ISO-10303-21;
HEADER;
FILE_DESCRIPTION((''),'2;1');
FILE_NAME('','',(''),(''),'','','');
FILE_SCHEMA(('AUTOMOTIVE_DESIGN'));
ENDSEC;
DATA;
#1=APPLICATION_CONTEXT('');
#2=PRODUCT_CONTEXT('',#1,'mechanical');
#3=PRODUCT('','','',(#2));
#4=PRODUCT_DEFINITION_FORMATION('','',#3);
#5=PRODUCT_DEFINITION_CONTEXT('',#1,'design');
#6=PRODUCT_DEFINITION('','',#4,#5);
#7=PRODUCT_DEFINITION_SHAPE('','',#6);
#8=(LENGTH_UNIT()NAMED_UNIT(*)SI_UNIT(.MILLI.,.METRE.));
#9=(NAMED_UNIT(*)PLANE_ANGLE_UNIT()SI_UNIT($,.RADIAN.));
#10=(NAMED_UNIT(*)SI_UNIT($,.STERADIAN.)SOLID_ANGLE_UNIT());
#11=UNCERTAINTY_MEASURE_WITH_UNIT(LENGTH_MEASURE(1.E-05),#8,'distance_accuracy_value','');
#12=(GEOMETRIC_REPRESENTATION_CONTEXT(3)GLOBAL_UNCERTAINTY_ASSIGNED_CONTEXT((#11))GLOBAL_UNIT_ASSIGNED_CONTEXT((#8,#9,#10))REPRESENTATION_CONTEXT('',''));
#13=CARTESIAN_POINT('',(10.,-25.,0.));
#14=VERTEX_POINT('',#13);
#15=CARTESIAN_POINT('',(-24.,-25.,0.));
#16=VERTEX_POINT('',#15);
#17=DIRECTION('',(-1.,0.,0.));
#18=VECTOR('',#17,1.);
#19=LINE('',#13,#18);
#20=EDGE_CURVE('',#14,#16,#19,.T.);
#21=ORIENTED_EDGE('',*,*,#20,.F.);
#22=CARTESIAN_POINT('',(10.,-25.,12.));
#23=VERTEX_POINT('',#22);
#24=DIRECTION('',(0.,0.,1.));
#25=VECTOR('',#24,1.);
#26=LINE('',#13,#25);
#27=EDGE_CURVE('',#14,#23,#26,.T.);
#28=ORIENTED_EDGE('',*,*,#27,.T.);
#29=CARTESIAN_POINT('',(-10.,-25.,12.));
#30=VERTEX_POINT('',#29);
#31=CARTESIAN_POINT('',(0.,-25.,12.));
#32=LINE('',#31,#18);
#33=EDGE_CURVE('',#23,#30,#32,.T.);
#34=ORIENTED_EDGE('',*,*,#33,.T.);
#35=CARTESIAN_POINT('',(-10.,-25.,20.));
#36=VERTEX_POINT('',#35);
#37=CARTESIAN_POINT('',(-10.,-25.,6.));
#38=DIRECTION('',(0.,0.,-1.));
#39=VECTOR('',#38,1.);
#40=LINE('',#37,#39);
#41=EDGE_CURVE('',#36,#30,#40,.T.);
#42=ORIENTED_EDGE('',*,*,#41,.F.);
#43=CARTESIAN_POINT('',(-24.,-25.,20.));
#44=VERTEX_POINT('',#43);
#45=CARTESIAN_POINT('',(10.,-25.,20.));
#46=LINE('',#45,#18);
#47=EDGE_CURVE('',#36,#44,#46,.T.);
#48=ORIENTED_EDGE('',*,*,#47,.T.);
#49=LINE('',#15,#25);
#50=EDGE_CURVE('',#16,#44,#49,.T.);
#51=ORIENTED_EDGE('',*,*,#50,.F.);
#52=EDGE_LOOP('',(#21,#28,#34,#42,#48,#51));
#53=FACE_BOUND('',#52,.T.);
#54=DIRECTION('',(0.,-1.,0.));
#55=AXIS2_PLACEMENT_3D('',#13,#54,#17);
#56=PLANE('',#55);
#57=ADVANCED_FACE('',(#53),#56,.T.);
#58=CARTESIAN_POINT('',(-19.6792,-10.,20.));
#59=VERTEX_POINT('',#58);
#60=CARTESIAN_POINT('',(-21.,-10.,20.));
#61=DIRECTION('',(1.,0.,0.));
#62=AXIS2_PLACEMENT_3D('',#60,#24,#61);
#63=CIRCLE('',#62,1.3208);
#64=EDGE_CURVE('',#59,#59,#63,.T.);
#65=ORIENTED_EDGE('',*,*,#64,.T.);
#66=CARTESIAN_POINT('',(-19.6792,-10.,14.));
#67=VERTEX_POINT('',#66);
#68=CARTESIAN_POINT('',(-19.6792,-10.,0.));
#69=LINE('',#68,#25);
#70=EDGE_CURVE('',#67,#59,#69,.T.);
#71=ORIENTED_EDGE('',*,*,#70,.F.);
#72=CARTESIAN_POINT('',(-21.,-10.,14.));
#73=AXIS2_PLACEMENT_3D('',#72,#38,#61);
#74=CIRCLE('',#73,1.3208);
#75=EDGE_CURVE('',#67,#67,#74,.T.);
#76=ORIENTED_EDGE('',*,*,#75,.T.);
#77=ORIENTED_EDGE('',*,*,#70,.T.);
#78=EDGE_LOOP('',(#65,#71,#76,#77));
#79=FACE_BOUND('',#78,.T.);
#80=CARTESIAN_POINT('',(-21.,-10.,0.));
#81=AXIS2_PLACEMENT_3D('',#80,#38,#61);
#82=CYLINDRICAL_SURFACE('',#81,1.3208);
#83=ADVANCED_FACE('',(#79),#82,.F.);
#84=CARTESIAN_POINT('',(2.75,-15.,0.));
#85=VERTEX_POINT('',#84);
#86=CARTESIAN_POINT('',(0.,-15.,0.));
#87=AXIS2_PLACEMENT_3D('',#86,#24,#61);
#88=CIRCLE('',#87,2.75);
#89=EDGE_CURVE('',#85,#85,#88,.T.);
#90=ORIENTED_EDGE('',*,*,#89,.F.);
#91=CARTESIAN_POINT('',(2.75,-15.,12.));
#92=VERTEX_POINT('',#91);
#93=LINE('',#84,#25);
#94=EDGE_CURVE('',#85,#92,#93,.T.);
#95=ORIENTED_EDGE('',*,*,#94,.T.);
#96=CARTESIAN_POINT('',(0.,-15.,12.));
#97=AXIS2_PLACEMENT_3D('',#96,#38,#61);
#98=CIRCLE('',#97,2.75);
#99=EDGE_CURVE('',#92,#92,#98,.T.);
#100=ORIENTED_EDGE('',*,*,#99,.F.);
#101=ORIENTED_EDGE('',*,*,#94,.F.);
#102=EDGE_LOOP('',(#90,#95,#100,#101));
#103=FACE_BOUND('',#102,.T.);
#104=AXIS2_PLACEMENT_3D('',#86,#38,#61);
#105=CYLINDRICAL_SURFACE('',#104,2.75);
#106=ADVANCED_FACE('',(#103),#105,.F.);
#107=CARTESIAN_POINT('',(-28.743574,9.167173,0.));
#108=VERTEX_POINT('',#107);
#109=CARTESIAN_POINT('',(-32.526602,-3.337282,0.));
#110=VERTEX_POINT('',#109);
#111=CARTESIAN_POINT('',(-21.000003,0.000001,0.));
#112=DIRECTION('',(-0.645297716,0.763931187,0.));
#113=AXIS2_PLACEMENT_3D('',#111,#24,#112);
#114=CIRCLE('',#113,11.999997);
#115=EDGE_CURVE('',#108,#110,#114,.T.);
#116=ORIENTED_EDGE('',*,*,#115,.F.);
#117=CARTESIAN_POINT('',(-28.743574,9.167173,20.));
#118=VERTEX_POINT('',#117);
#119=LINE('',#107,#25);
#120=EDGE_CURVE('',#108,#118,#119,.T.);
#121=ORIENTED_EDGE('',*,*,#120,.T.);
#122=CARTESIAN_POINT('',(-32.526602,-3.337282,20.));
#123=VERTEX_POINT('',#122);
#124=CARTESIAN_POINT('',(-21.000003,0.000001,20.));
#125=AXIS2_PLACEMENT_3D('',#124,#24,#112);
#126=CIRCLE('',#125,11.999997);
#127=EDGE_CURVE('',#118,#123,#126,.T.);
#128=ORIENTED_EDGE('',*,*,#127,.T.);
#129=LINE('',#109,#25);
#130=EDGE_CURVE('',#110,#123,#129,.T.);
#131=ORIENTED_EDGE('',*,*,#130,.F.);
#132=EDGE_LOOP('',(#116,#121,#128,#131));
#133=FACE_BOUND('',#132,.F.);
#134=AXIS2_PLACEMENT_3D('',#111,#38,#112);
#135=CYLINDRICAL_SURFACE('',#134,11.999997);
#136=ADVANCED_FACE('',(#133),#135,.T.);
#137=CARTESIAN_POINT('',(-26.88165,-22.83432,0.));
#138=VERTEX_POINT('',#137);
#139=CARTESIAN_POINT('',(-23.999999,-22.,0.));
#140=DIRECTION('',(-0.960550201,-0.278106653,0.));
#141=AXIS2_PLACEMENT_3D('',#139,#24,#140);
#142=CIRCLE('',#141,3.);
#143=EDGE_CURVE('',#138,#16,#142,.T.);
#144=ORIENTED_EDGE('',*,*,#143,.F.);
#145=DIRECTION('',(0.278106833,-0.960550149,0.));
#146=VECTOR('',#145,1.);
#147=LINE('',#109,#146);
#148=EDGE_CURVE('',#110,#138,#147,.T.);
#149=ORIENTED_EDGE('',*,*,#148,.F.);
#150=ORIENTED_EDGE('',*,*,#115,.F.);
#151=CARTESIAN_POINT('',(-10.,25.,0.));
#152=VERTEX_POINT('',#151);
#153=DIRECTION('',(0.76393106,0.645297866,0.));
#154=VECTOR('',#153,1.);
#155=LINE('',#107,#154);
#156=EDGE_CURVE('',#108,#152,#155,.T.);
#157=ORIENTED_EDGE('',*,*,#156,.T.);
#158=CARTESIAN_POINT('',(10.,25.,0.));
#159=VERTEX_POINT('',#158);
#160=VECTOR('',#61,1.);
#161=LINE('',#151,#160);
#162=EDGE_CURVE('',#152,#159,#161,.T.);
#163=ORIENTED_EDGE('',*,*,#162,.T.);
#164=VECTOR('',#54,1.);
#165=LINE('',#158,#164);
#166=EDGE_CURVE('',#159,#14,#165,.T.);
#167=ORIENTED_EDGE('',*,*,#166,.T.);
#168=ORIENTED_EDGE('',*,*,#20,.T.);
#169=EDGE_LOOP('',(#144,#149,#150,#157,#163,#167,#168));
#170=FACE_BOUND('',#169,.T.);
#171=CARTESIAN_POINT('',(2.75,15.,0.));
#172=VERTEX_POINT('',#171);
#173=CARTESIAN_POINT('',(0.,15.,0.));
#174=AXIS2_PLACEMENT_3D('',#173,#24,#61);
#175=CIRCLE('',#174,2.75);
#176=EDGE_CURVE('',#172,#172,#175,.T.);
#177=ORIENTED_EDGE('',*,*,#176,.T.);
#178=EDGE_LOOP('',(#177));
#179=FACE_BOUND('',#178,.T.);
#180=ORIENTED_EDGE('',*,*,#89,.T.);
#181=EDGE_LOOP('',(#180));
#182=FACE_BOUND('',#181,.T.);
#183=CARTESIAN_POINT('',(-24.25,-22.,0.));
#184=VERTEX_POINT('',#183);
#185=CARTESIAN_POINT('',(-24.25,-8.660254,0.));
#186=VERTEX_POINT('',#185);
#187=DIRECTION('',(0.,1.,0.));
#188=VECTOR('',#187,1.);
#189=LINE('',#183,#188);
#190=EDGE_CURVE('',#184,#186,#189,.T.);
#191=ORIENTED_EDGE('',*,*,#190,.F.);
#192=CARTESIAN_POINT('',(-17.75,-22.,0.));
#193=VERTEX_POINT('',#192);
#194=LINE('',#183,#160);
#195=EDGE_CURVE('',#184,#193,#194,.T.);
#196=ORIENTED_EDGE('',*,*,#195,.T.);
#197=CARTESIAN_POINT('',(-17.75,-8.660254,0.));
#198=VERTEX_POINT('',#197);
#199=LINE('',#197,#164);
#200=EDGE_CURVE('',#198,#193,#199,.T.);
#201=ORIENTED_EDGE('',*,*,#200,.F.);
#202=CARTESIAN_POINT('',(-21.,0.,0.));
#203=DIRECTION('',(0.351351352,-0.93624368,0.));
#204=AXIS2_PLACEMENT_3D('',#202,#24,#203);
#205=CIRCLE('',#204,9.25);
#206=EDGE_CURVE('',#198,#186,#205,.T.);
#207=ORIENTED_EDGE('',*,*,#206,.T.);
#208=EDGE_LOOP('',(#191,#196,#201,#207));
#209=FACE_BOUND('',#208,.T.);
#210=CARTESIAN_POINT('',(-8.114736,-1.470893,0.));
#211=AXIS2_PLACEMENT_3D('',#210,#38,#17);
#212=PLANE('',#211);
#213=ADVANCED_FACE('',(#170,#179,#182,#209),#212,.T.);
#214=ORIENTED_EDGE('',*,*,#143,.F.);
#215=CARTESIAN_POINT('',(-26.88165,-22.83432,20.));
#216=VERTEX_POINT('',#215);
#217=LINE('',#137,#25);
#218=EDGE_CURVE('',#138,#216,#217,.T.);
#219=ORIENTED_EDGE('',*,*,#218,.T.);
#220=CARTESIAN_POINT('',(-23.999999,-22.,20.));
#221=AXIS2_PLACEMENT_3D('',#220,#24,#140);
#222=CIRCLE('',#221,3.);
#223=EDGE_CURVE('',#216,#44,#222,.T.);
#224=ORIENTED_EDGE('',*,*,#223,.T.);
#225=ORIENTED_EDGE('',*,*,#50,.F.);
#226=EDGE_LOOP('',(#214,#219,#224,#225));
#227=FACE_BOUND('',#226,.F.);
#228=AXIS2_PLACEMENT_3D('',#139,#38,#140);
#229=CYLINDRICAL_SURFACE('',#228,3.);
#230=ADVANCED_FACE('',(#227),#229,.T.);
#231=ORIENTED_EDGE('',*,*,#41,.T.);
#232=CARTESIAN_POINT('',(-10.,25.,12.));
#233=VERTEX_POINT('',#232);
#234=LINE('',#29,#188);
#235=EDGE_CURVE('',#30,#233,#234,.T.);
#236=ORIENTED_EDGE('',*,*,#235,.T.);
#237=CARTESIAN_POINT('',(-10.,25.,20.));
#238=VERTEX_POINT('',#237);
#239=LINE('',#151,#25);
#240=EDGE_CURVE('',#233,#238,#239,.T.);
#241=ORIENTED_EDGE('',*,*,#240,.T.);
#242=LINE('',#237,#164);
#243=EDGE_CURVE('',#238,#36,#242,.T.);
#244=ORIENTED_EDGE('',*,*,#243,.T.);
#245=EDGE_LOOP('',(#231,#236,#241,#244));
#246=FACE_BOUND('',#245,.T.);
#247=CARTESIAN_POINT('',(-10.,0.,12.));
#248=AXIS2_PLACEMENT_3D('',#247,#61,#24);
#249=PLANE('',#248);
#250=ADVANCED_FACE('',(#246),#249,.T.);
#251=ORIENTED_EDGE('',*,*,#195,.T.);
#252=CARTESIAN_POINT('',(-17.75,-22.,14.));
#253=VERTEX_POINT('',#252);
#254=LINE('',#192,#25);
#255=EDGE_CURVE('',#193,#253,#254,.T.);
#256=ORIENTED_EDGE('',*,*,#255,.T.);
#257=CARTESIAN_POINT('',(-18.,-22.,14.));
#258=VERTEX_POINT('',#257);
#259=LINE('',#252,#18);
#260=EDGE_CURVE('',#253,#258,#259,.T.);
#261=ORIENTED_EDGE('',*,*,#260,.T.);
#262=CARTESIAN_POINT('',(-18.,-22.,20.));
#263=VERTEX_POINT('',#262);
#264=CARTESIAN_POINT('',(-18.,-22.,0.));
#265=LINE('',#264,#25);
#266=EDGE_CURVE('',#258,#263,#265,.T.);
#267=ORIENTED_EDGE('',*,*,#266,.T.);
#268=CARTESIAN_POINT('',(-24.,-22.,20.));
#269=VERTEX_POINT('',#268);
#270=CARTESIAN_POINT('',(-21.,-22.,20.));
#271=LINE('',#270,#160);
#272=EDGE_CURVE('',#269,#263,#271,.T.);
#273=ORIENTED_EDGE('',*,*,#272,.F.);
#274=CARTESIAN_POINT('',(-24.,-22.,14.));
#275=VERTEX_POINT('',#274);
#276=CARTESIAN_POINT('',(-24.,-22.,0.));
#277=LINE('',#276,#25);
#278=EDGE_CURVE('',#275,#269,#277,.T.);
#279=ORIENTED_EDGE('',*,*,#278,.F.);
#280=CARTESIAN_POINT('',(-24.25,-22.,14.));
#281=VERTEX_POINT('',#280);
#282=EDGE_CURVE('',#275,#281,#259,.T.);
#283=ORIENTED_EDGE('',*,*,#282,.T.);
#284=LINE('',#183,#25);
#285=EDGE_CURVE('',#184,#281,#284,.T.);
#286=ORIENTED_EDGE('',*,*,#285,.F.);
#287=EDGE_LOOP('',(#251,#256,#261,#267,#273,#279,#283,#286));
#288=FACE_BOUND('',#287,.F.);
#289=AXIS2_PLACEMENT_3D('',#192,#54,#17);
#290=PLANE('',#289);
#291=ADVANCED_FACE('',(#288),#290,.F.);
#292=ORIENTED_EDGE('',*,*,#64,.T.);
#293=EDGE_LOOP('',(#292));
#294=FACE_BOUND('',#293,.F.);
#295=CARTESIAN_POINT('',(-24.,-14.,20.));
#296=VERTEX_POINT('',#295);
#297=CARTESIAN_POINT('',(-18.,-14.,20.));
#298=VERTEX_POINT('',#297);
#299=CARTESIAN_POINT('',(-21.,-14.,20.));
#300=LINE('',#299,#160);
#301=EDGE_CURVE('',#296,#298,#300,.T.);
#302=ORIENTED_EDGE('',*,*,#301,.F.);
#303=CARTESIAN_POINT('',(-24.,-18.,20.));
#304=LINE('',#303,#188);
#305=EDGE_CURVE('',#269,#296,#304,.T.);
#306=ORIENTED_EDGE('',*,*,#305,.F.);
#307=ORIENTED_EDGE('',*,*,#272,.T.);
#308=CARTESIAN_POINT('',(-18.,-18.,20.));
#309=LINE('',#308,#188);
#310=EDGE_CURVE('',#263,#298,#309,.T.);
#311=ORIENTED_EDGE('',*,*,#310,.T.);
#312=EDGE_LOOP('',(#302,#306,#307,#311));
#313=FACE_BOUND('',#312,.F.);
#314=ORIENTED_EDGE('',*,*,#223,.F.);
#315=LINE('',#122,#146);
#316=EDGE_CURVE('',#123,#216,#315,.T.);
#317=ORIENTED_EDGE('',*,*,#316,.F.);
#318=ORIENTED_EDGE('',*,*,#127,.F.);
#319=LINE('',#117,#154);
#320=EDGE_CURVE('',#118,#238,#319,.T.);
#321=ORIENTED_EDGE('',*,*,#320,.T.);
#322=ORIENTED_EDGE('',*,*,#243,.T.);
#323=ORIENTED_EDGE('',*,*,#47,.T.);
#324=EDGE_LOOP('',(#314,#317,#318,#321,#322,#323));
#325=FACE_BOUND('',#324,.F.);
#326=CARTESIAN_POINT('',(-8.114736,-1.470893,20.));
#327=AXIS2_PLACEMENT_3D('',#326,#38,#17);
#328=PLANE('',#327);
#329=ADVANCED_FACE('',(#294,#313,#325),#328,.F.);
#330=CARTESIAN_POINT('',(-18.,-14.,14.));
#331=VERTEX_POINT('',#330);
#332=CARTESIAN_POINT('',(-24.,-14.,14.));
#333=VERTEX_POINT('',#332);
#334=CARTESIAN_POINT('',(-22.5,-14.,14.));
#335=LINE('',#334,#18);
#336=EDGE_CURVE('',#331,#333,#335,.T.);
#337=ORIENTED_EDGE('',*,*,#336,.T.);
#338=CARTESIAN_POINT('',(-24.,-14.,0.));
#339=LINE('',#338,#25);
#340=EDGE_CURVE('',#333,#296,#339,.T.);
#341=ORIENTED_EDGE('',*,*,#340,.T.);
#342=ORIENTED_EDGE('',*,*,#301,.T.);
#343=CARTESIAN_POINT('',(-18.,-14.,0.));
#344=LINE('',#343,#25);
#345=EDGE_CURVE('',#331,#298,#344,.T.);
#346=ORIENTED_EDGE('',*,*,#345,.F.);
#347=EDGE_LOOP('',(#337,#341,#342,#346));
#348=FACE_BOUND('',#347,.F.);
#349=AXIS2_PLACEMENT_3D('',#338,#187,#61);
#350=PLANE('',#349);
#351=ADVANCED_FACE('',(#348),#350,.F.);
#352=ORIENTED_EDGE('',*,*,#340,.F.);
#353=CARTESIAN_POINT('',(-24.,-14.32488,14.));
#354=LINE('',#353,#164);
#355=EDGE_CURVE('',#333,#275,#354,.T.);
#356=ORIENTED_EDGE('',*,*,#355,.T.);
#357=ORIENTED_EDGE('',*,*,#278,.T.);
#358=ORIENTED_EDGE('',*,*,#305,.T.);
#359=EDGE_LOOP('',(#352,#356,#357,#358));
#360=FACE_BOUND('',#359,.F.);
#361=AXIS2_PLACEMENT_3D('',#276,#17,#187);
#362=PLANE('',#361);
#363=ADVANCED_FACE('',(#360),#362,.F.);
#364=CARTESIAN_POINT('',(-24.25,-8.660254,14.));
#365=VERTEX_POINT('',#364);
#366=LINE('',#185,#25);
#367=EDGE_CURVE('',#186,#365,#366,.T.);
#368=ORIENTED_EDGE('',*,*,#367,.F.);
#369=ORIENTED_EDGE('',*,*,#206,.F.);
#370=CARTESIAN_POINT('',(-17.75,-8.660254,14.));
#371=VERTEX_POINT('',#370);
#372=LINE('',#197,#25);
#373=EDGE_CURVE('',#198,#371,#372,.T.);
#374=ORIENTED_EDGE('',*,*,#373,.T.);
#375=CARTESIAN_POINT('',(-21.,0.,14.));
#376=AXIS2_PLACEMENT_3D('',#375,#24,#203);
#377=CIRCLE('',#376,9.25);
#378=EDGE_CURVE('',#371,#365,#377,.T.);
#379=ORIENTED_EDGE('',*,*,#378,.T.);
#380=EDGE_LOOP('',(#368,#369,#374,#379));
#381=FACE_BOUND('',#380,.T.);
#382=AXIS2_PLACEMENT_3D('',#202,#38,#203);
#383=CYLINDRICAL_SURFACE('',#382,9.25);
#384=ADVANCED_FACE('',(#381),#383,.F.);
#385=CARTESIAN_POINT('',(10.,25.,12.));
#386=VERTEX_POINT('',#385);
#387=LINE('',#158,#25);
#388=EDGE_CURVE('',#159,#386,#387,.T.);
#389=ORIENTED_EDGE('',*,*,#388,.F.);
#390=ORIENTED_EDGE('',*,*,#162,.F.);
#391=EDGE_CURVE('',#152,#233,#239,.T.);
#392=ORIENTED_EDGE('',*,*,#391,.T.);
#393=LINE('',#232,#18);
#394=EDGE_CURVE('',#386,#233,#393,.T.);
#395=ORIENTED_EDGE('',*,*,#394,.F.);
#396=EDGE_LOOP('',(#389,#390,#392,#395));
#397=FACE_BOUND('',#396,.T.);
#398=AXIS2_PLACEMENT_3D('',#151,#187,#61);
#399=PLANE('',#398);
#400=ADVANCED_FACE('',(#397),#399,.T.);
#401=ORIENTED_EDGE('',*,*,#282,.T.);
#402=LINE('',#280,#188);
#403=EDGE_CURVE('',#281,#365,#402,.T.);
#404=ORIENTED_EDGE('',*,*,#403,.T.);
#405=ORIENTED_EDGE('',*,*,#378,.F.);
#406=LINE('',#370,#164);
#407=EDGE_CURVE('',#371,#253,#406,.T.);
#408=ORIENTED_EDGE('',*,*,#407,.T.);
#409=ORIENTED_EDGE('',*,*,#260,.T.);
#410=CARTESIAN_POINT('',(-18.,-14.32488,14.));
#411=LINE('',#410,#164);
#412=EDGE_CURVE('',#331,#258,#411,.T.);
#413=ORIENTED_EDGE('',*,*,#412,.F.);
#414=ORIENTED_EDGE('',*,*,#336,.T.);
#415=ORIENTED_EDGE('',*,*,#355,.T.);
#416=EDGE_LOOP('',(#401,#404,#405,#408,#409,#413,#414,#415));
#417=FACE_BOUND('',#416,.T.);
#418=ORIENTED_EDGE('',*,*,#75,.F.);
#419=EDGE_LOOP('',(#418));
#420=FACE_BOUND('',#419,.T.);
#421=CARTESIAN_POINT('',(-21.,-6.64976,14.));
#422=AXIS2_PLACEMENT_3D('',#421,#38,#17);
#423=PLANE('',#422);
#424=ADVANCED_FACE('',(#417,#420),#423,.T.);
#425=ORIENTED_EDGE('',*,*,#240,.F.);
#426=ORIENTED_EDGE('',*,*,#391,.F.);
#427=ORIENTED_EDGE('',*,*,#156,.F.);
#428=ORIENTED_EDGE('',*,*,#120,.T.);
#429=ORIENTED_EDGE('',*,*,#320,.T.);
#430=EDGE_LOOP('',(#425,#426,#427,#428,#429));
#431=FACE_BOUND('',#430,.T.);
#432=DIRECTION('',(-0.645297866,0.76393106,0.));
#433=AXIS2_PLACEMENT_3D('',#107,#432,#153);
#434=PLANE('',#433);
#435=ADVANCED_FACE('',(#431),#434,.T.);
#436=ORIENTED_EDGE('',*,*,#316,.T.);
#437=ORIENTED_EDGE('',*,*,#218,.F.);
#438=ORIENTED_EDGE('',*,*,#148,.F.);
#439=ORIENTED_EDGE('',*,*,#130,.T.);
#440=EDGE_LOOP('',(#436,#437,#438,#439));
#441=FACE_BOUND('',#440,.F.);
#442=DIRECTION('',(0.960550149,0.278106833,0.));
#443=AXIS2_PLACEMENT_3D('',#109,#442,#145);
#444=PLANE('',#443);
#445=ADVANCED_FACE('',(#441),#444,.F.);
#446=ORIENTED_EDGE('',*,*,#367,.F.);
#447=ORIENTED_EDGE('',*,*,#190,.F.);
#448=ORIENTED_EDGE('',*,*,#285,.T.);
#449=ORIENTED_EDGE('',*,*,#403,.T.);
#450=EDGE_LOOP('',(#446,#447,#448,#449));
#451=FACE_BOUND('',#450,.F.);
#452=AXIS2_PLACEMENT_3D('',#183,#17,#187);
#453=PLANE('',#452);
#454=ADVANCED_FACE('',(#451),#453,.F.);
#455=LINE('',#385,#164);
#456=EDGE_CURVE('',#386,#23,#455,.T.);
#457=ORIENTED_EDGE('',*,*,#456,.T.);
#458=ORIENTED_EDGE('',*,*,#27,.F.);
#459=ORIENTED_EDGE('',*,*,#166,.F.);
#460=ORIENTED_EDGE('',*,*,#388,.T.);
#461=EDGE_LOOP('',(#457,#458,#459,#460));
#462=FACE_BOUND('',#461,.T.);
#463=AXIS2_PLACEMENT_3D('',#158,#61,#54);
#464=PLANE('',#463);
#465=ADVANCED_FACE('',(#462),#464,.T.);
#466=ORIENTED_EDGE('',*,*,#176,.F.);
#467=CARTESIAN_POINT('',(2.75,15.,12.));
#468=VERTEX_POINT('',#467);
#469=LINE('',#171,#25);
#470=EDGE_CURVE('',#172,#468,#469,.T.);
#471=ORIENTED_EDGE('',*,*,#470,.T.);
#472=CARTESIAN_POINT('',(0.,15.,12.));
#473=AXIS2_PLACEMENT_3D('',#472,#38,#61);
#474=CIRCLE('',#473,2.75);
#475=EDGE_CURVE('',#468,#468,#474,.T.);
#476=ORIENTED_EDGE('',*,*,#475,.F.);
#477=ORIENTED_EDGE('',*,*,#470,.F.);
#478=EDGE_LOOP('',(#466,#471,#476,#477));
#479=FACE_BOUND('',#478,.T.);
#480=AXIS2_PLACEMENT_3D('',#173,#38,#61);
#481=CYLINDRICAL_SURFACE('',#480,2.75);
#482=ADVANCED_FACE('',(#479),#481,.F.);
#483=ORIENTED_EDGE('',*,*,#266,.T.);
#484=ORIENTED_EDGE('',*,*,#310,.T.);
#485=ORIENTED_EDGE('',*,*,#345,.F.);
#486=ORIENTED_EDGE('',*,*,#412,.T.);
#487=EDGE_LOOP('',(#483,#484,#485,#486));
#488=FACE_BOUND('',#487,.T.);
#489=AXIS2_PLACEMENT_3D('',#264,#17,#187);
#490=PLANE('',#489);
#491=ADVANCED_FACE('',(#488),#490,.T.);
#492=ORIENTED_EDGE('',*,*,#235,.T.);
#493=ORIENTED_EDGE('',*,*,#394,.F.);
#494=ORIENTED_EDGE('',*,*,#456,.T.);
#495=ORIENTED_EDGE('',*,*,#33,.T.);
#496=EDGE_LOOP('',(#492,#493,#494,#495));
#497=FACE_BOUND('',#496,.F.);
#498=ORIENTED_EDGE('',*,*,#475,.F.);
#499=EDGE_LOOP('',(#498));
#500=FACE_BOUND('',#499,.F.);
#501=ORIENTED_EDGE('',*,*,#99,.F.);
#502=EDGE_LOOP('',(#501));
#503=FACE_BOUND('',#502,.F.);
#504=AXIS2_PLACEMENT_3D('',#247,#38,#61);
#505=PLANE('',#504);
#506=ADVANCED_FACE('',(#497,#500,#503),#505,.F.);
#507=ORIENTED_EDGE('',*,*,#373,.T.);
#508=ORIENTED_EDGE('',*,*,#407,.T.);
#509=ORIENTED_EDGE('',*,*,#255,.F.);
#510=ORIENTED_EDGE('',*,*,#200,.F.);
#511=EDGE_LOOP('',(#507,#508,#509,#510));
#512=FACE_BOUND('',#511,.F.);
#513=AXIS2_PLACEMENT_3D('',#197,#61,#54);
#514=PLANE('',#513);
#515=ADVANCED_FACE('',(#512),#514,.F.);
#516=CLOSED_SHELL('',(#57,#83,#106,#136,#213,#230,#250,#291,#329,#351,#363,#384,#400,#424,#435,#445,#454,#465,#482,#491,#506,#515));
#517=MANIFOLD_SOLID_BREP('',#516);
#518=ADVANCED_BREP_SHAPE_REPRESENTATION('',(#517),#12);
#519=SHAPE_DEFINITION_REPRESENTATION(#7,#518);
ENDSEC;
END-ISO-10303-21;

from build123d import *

# Parameters (mm, degrees)
SKETCH140_R          = 2.75
SKETCH140_R_2        = 1.3208
SKETCH140_W          = 6
SKETCH140_H          = 8
PAD083_DEPTH         = 20
POCKET048_DEPTH      = 14
SKETCH160_W          = 20
SKETCH160_H          = 20
POCKET059_DEPTH      = 25.001
POCKET059_DEPTH_BACK = 25.001


with BuildPart() as part:
    # Sketch140 → Pad083 (new body)
    with BuildSketch(Plane.XY):
        with BuildLine():
            Line((-28.743574, 9.167173), (-10, 25))
            Line((-10, 25), (10, 25))
            Line((10, 25), (10, -25))
            Line((10, -25), (-10, -25))
            Line((-10, -25), (-24, -25))
            ThreePointArc((-26.88165, -22.83432), (-25.802365, -24.398224), (-24, -25))
            Line((-32.526602, -3.337282), (-26.88165, -22.83432))
            ThreePointArc((-28.743574, 9.167173), (-32.485873, 3.474872), (-32.526602, -3.337282))
        make_face()
        with Locations((0, 15)):
            Circle(SKETCH140_R, mode=Mode.SUBTRACT)
        with Locations((0, -15)):
            Circle(SKETCH140_R, mode=Mode.SUBTRACT)
        with Locations((-21, -10)):
            Circle(SKETCH140_R_2, mode=Mode.SUBTRACT)
        with Locations((-21, -18)):
            Rectangle(SKETCH140_W, SKETCH140_H, mode=Mode.SUBTRACT)
    extrude(amount=PAD083_DEPTH)

    # Sketch141 → Pocket048 (cut)
    with BuildSketch(Plane.XY):
        with BuildLine():
            Line((-17.75, -8.660254), (-17.75, -22))
            Line((-17.75, -22), (-24.25, -22))
            Line((-24.25, -22), (-24.25, -8.660254))
            ThreePointArc((-17.75, -8.660254), (-21, 9.25), (-24.25, -8.660254))
        make_face()
    extrude(amount=POCKET048_DEPTH, mode=Mode.SUBTRACT)

    # Sketch160 → Pocket059 (cut, two sides)
    with BuildSketch(Plane.XZ) as pocket059_sk:
        with Locations((0, 22)):
            Rectangle(SKETCH160_W, SKETCH160_H)
    extrude(amount=-POCKET059_DEPTH, mode=Mode.SUBTRACT)
    extrude(pocket059_sk.sketch, amount=POCKET059_DEPTH_BACK, mode=Mode.SUBTRACT)


solid = part.part
